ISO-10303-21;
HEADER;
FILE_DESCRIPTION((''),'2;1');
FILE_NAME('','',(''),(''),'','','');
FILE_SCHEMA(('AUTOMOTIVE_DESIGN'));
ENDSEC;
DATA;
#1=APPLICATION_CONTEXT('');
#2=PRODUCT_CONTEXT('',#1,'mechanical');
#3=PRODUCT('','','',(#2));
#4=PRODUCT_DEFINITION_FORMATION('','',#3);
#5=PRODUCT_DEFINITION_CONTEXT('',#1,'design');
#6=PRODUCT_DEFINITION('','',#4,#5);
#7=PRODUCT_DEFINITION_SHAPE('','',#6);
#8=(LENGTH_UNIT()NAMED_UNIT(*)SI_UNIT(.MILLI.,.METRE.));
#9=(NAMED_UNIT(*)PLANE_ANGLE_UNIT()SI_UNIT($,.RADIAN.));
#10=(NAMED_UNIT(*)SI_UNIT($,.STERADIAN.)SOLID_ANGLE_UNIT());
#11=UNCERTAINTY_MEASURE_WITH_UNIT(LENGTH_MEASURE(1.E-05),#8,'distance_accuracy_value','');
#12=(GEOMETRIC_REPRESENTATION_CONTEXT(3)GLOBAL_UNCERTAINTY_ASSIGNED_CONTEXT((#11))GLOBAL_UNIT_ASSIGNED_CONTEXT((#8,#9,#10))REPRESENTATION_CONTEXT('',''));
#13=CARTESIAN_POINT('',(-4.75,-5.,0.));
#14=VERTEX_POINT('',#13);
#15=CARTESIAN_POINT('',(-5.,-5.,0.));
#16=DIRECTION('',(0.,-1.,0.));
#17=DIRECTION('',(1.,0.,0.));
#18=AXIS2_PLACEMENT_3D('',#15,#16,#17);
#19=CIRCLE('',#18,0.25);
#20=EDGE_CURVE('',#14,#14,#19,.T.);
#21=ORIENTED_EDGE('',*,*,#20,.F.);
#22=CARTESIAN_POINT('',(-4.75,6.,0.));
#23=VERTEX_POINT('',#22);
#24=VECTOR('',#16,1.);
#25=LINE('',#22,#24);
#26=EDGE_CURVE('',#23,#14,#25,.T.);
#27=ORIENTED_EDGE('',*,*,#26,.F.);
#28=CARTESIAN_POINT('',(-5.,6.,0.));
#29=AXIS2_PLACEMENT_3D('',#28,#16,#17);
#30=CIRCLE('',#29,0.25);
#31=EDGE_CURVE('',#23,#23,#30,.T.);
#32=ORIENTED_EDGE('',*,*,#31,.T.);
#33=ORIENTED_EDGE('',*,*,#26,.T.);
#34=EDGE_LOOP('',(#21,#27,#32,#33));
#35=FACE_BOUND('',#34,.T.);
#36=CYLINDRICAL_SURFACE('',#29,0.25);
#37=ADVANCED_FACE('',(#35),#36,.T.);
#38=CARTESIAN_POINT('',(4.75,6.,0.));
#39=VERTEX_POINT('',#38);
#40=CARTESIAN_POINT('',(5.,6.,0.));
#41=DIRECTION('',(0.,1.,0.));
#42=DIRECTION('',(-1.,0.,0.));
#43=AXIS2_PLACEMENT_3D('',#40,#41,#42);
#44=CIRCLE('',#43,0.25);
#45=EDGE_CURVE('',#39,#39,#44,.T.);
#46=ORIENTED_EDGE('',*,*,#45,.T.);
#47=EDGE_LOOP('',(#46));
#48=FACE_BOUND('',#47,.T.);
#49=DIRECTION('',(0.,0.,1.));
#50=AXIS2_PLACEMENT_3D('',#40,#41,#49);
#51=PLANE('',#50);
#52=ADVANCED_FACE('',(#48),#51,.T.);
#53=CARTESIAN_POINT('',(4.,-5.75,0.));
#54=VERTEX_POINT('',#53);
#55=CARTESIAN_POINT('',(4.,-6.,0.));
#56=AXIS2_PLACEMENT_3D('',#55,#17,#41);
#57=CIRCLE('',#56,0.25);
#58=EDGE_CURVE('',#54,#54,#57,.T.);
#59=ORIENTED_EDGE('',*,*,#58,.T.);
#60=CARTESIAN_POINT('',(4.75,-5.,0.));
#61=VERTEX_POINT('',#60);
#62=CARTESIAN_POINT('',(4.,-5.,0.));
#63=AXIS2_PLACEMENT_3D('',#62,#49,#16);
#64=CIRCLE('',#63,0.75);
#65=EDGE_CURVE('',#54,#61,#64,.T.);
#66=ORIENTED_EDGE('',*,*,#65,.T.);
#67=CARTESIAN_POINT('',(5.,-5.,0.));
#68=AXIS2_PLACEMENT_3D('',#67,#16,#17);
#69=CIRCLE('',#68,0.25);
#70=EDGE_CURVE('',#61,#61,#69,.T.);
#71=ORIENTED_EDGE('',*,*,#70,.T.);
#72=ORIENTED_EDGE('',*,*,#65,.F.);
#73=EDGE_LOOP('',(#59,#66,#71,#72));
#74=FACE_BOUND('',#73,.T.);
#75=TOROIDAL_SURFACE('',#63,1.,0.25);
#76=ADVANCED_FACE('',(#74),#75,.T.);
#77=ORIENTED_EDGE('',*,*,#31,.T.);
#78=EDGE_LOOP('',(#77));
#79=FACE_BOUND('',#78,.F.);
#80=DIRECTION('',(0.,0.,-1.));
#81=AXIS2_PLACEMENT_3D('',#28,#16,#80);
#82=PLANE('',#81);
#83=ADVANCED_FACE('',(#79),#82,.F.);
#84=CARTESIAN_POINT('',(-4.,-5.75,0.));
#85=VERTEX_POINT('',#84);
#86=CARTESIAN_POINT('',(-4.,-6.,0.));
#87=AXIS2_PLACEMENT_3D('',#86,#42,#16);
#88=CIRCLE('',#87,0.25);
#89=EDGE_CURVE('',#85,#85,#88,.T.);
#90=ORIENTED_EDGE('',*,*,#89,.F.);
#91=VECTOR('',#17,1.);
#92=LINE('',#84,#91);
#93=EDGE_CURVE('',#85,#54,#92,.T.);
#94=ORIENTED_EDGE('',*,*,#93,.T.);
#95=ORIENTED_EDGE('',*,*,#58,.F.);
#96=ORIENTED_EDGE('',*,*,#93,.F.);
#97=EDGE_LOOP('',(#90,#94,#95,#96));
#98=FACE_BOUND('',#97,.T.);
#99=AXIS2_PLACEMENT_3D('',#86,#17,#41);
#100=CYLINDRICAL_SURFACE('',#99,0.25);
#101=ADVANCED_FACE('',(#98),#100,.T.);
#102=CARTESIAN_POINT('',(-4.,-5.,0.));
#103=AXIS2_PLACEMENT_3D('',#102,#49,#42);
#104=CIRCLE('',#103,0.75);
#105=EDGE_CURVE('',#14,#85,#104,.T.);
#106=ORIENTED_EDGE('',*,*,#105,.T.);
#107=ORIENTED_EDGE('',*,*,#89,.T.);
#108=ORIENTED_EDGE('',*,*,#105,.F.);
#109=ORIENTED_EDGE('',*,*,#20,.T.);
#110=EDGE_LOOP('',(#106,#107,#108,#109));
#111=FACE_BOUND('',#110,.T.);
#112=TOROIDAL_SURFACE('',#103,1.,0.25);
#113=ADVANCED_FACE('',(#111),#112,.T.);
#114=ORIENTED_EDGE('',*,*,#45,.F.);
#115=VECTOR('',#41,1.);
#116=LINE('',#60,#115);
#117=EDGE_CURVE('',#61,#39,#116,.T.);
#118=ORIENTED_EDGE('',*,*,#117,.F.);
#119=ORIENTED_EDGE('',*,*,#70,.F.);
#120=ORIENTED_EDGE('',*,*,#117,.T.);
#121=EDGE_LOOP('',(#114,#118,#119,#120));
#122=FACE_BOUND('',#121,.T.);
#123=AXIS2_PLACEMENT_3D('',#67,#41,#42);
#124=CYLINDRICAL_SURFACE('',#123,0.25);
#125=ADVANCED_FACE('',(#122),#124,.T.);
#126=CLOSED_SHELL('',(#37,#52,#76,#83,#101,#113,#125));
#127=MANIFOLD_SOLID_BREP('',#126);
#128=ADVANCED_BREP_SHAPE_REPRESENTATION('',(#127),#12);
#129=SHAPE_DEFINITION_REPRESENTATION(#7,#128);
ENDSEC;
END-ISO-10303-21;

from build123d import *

# Parameters (mm, degrees)
F2_R = 0.25


with BuildPart() as f3:
    # F3: sweep along a path in F0
    with BuildLine(Plane.XY) as f3_path:
        Line((-5, 6), (-5, -5))
        ThreePointArc((-5, -5), (-4.7071067812, -5.7071067812), (-4, -6))
        Line((-4, -6), (4, -6))
        ThreePointArc((4, -6), (4.7071067812, -5.7071067812), (5, -5))
        Line((5, -5), (5, 6))
    # F2 (on plane+point) → F3 (sweep)
    with BuildSketch(Plane.XZ.offset(-6)):
        with Locations((-5, 0)):
            Circle(F2_R)
    sweep(path=f3_path.line)


solid = f3.part
